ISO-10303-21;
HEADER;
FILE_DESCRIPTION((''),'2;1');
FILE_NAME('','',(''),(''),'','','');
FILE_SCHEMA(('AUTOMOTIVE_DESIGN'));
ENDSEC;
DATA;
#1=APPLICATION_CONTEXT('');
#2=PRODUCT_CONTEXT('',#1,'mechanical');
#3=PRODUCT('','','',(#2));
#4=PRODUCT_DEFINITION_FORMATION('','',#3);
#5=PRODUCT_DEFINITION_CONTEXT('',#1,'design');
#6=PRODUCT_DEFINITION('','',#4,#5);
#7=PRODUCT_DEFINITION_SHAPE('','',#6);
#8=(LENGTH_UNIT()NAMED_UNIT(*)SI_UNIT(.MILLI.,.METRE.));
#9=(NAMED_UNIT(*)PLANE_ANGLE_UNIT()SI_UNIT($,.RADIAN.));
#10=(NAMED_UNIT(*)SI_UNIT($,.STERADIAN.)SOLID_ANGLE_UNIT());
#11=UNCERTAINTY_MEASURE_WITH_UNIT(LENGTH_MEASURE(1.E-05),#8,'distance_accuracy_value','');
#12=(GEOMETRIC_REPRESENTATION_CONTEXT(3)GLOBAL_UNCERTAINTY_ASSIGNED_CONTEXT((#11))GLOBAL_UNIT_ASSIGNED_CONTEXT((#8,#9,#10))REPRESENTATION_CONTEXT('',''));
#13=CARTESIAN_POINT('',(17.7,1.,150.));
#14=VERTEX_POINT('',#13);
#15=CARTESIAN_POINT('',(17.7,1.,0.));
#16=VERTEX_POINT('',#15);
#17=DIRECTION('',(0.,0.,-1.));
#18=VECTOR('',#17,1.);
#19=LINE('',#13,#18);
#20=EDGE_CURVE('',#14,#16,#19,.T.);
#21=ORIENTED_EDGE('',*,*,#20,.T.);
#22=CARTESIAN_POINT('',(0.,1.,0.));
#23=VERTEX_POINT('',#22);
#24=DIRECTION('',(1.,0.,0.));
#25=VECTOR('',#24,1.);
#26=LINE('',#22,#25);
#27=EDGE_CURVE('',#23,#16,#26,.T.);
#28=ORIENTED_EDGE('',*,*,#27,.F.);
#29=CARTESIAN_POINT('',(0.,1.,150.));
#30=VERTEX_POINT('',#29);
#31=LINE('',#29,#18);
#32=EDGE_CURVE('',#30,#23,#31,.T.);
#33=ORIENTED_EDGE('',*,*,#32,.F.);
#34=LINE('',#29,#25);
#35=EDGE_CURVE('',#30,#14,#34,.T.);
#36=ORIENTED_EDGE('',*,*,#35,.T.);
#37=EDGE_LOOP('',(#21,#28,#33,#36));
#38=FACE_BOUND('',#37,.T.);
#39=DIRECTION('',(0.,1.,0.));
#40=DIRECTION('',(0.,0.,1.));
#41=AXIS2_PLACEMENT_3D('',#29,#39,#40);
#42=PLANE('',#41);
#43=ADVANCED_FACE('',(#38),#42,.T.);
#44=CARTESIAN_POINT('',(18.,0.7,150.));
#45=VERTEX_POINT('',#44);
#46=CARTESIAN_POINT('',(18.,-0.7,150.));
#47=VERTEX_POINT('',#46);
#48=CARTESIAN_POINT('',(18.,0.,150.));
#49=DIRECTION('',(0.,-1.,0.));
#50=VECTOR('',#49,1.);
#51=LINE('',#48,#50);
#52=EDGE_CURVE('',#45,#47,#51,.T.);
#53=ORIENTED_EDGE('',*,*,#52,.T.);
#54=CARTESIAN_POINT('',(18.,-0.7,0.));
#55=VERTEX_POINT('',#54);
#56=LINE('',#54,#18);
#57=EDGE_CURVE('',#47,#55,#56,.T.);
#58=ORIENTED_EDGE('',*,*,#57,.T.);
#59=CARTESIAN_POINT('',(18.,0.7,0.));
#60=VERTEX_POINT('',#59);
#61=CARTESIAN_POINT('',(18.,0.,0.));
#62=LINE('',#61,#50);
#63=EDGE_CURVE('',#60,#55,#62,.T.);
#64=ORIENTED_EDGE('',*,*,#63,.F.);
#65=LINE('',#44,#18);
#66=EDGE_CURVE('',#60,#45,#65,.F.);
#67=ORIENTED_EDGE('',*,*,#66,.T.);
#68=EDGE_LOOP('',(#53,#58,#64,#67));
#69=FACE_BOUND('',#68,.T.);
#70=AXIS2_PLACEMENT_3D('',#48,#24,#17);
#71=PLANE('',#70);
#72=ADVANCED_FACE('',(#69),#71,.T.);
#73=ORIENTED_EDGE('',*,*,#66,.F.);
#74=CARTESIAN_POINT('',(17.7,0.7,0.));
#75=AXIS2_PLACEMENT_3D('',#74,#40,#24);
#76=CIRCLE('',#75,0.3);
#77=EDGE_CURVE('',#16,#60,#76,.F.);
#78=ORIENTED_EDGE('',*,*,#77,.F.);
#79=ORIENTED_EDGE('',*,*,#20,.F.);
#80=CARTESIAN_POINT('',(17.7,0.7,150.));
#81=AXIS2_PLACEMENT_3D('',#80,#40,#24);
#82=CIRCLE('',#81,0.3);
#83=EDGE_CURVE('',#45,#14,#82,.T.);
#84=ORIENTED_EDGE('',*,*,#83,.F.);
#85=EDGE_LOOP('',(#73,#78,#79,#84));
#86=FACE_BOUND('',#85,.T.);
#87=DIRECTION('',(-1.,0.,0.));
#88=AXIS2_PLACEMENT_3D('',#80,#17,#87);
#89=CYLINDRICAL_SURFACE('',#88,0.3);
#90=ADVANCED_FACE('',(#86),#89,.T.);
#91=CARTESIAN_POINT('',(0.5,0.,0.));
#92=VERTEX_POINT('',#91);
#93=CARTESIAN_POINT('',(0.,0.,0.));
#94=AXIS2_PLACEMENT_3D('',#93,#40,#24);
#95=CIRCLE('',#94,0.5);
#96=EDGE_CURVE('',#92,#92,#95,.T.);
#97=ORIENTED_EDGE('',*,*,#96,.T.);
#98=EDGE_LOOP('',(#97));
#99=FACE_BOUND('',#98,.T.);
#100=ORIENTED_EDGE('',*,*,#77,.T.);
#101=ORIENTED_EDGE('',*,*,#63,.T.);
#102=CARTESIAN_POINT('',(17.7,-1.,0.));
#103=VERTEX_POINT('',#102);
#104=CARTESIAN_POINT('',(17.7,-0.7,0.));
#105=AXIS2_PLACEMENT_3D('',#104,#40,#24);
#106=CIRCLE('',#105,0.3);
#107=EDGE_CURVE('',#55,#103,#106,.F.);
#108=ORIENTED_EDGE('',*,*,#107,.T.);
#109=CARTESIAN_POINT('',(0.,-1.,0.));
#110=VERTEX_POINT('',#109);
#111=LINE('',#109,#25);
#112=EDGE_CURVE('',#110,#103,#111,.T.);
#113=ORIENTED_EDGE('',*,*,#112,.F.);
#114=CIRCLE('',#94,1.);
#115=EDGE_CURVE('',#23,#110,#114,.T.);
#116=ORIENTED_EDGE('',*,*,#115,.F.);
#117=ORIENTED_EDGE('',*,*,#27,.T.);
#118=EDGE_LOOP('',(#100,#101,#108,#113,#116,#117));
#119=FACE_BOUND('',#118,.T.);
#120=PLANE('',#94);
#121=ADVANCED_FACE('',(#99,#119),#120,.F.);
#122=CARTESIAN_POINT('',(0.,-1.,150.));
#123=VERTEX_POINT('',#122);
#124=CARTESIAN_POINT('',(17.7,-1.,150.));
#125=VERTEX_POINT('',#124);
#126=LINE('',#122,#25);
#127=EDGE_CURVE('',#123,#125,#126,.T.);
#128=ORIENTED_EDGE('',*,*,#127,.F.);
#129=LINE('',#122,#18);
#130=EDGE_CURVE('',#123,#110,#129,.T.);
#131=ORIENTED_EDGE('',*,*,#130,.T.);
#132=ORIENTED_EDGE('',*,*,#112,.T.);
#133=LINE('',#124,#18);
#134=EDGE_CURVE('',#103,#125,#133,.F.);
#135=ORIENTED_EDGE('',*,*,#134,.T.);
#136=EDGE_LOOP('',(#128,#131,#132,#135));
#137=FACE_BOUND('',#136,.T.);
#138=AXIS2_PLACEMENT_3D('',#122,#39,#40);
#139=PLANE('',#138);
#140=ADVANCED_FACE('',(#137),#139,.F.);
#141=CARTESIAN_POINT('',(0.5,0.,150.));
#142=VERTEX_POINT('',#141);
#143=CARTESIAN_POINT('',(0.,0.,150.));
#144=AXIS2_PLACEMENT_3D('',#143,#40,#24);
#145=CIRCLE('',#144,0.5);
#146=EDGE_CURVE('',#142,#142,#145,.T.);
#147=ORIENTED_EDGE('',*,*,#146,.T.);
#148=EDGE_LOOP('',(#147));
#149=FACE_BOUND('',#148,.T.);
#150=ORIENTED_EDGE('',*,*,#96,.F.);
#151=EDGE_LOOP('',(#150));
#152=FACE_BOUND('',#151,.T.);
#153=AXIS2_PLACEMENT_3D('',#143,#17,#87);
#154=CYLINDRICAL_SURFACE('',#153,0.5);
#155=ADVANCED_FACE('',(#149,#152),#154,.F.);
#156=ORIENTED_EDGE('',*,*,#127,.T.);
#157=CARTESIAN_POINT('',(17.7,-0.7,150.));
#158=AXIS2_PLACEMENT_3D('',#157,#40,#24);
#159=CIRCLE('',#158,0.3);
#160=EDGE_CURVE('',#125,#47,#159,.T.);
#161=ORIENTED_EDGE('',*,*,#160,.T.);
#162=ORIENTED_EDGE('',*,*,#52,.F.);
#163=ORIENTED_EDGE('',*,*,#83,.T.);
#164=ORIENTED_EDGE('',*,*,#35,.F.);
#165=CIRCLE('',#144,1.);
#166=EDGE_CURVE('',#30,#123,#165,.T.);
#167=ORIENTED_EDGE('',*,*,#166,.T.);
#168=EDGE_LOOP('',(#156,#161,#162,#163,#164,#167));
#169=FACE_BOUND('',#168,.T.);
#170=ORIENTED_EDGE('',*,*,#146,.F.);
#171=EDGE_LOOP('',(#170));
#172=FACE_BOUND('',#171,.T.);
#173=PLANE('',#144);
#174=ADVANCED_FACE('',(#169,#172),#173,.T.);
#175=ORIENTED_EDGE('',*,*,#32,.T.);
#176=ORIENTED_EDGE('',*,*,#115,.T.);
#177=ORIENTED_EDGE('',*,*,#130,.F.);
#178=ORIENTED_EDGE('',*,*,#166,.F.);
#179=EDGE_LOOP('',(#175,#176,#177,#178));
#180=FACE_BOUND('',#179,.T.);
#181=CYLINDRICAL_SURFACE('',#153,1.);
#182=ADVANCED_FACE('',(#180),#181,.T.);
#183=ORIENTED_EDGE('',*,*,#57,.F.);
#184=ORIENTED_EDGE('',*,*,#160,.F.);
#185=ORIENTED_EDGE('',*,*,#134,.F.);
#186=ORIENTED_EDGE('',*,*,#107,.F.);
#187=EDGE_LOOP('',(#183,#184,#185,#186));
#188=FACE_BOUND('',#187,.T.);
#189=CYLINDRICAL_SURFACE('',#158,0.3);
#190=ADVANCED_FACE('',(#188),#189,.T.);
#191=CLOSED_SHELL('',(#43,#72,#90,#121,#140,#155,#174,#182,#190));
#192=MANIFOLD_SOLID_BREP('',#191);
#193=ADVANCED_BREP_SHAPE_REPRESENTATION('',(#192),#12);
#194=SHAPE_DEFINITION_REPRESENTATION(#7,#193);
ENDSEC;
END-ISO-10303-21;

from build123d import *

# Parameters (mm, degrees)
SKETCH_1_R      = 0.5
EXTRUDE_1_DEPTH = 150
FILLET_1_R      = 0.3


with BuildPart() as part:
    # 草图1 → 凸台-拉伸1 (new body)
    with BuildSketch(Plane.XY):
        with BuildLine():
            Line((18, 1), (0, 1))
            ThreePointArc((0, 1), (-1, 0), (0, -1))
            Line((0, -1), (18, -1))
            Line((18, -1), (18, 1))
        make_face()
        Circle(SKETCH_1_R, mode=Mode.SUBTRACT)
    extrude(amount=EXTRUDE_1_DEPTH)

    # 圆角1
    fillet_1_edges = [part.edges().sort_by_distance(p)[0] for p in [
        (18, 1, 75),
        (18, -1, 75),
    ]]
    fillet(fillet_1_edges, radius=FILLET_1_R)


solid = part.part
